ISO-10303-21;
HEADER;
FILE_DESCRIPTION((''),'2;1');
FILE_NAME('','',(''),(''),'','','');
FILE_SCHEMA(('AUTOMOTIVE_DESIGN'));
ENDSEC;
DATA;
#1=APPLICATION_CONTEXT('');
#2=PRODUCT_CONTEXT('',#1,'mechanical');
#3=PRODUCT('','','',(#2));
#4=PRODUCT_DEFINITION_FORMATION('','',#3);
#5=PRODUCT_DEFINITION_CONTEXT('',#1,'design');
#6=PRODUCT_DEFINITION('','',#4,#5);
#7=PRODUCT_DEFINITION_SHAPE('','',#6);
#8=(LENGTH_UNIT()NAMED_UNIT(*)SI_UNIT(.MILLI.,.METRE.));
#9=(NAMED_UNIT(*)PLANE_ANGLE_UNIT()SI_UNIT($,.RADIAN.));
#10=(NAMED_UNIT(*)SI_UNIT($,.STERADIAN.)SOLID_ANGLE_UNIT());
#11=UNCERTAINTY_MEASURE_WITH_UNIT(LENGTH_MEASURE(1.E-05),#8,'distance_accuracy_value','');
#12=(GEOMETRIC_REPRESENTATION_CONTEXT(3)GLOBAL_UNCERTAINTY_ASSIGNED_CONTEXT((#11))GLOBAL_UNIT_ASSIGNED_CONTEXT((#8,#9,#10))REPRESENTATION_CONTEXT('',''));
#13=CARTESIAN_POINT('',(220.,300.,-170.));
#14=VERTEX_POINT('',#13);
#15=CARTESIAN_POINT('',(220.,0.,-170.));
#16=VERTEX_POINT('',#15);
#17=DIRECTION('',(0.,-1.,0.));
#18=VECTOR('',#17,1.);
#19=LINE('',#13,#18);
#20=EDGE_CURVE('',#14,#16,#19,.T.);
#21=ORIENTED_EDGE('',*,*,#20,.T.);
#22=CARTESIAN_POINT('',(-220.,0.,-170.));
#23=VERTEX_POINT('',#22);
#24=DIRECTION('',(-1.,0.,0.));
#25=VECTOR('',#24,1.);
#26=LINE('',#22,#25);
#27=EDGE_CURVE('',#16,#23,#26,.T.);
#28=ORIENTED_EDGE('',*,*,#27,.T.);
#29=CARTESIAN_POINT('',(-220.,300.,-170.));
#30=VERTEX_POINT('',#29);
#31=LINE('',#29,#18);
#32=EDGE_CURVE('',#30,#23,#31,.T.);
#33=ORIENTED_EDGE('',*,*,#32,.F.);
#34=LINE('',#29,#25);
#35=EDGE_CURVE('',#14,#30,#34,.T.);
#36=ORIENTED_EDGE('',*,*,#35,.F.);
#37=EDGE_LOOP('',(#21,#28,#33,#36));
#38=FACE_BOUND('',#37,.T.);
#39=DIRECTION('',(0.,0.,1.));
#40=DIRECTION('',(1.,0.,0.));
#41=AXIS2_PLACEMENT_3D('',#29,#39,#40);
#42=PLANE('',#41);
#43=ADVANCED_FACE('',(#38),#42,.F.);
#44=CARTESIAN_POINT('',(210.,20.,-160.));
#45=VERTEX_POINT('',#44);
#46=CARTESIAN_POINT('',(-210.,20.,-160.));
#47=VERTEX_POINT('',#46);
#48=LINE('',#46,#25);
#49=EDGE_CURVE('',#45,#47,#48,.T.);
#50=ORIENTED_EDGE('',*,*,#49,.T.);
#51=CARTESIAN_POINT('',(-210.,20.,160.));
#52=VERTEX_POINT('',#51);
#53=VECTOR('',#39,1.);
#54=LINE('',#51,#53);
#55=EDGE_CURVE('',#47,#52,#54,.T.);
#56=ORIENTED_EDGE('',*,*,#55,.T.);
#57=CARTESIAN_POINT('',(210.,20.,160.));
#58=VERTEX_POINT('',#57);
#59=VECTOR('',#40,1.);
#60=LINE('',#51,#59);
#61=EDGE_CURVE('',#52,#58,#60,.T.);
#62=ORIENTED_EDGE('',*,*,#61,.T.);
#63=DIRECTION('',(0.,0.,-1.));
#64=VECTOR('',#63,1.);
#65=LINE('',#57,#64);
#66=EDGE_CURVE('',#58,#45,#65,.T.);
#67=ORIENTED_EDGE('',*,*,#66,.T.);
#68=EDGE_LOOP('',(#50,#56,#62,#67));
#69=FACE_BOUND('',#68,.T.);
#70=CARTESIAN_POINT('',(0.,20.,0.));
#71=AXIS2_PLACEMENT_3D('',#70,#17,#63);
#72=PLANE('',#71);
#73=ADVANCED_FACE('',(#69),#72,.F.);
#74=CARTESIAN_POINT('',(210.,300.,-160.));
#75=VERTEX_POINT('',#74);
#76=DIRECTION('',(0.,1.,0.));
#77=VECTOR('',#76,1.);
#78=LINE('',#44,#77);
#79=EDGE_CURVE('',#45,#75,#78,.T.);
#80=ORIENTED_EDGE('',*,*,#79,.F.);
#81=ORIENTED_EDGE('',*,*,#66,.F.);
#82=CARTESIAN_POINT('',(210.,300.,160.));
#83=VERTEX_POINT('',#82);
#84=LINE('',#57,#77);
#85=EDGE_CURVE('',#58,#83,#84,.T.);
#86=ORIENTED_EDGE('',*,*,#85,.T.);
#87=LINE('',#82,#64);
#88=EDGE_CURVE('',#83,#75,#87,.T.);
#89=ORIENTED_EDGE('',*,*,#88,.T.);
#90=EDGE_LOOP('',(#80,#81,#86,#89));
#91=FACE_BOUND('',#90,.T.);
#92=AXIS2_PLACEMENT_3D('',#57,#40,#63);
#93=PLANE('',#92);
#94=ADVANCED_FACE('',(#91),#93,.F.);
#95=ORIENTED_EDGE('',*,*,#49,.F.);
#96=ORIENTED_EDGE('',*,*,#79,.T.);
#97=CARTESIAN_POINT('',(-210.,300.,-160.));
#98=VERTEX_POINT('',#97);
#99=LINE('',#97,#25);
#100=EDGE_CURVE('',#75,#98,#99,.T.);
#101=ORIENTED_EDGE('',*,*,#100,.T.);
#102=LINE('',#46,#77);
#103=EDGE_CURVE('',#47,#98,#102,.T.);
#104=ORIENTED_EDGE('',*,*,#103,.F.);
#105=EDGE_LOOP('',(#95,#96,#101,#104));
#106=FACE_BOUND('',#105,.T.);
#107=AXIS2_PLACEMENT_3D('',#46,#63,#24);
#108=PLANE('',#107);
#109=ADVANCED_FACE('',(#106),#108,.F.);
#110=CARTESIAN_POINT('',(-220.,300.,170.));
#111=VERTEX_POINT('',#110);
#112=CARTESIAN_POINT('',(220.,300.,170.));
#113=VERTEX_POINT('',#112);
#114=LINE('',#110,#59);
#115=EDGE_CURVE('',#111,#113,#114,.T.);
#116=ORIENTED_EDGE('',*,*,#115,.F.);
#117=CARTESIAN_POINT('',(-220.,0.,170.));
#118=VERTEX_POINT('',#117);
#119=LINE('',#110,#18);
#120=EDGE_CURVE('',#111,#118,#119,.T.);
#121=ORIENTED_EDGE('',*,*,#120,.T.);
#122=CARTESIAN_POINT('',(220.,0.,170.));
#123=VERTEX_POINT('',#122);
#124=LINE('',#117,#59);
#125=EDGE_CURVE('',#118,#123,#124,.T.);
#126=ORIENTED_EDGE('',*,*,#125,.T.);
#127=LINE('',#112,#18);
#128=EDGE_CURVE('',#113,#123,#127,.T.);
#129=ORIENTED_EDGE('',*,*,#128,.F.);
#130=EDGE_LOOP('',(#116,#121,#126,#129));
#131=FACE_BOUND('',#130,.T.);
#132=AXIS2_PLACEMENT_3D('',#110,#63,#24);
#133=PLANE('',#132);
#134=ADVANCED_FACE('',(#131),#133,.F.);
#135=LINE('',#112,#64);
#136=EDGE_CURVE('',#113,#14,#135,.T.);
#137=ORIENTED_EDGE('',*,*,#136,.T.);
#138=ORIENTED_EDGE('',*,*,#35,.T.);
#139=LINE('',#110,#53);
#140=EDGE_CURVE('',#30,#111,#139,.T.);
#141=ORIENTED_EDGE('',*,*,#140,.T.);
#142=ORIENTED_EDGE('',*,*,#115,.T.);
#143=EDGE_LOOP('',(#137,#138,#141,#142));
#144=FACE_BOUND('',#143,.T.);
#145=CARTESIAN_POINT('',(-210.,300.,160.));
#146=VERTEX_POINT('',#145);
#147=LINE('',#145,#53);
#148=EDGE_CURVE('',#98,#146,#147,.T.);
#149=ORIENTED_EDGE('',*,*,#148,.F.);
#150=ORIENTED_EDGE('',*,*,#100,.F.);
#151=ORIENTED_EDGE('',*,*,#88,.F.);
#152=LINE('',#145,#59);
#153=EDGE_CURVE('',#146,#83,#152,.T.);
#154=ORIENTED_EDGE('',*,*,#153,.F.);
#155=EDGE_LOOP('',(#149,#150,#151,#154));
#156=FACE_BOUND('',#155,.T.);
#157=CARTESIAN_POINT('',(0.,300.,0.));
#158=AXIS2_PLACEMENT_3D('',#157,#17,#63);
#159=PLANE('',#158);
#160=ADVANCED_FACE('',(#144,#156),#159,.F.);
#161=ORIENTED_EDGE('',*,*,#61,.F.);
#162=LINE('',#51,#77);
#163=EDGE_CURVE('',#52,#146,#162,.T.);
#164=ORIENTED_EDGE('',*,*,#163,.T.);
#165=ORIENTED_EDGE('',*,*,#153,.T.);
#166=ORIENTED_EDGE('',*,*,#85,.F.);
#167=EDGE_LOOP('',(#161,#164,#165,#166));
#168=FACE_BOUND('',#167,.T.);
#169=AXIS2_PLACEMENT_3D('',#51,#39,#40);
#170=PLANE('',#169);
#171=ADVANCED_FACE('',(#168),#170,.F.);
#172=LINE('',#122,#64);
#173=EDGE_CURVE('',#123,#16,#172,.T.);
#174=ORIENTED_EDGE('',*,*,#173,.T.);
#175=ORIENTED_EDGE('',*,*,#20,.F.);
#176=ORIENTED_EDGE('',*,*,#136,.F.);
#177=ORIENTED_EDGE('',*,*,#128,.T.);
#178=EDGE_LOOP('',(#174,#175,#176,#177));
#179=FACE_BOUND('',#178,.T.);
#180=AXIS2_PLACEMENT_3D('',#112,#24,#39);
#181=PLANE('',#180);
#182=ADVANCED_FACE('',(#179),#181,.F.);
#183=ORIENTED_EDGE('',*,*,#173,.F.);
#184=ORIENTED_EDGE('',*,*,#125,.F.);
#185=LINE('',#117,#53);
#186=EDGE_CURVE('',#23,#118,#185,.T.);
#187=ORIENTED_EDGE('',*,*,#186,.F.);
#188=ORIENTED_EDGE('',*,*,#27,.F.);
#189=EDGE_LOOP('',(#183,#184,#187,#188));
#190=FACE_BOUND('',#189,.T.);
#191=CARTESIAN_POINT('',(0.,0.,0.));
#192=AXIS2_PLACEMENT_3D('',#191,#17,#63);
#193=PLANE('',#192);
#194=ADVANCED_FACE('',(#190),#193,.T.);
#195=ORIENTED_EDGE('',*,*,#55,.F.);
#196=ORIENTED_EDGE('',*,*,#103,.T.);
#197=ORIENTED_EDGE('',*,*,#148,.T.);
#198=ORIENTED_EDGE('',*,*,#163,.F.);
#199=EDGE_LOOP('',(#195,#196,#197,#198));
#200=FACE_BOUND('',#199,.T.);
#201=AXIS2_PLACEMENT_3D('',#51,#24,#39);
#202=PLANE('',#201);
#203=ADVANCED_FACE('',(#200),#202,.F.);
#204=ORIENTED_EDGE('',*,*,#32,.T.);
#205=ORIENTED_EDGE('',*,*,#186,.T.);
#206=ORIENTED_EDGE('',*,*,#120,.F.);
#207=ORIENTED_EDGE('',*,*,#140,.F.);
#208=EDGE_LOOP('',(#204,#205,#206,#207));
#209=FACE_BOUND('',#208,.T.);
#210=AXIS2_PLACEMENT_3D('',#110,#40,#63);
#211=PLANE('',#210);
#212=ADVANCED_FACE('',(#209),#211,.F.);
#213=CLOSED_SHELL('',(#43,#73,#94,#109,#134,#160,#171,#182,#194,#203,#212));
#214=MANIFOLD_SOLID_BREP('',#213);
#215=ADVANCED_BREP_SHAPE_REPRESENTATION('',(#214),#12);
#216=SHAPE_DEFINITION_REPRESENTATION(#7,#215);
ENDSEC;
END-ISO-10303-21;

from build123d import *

# Parameters (mm, degrees)
SKETCH2_W           = 440
SKETCH2_H           = 340
BOSS_EXTRUDE1_DEPTH = 300
SKETCH3_W           = 420
SKETCH3_H           = 320
CUT_EXTRUDE1_DEPTH  = 280


with BuildPart() as part:
    # Sketch2 → Boss-Extrude1 (new body)
    with BuildSketch(Plane(origin=(0, 0, 0), x_dir=(1, 0, 0), z_dir=(0, 1, 0))):
        Rectangle(SKETCH2_W, SKETCH2_H)
    extrude(amount=BOSS_EXTRUDE1_DEPTH)

    # Sketch3 → Cut-Extrude1 (cut)
    with BuildSketch(Plane(origin=(0, 300, 0), x_dir=(1, 0, 0), z_dir=(0, 1, 0))):
        Rectangle(SKETCH3_W, SKETCH3_H)
    extrude(amount=-CUT_EXTRUDE1_DEPTH, mode=Mode.SUBTRACT)


solid = part.part
